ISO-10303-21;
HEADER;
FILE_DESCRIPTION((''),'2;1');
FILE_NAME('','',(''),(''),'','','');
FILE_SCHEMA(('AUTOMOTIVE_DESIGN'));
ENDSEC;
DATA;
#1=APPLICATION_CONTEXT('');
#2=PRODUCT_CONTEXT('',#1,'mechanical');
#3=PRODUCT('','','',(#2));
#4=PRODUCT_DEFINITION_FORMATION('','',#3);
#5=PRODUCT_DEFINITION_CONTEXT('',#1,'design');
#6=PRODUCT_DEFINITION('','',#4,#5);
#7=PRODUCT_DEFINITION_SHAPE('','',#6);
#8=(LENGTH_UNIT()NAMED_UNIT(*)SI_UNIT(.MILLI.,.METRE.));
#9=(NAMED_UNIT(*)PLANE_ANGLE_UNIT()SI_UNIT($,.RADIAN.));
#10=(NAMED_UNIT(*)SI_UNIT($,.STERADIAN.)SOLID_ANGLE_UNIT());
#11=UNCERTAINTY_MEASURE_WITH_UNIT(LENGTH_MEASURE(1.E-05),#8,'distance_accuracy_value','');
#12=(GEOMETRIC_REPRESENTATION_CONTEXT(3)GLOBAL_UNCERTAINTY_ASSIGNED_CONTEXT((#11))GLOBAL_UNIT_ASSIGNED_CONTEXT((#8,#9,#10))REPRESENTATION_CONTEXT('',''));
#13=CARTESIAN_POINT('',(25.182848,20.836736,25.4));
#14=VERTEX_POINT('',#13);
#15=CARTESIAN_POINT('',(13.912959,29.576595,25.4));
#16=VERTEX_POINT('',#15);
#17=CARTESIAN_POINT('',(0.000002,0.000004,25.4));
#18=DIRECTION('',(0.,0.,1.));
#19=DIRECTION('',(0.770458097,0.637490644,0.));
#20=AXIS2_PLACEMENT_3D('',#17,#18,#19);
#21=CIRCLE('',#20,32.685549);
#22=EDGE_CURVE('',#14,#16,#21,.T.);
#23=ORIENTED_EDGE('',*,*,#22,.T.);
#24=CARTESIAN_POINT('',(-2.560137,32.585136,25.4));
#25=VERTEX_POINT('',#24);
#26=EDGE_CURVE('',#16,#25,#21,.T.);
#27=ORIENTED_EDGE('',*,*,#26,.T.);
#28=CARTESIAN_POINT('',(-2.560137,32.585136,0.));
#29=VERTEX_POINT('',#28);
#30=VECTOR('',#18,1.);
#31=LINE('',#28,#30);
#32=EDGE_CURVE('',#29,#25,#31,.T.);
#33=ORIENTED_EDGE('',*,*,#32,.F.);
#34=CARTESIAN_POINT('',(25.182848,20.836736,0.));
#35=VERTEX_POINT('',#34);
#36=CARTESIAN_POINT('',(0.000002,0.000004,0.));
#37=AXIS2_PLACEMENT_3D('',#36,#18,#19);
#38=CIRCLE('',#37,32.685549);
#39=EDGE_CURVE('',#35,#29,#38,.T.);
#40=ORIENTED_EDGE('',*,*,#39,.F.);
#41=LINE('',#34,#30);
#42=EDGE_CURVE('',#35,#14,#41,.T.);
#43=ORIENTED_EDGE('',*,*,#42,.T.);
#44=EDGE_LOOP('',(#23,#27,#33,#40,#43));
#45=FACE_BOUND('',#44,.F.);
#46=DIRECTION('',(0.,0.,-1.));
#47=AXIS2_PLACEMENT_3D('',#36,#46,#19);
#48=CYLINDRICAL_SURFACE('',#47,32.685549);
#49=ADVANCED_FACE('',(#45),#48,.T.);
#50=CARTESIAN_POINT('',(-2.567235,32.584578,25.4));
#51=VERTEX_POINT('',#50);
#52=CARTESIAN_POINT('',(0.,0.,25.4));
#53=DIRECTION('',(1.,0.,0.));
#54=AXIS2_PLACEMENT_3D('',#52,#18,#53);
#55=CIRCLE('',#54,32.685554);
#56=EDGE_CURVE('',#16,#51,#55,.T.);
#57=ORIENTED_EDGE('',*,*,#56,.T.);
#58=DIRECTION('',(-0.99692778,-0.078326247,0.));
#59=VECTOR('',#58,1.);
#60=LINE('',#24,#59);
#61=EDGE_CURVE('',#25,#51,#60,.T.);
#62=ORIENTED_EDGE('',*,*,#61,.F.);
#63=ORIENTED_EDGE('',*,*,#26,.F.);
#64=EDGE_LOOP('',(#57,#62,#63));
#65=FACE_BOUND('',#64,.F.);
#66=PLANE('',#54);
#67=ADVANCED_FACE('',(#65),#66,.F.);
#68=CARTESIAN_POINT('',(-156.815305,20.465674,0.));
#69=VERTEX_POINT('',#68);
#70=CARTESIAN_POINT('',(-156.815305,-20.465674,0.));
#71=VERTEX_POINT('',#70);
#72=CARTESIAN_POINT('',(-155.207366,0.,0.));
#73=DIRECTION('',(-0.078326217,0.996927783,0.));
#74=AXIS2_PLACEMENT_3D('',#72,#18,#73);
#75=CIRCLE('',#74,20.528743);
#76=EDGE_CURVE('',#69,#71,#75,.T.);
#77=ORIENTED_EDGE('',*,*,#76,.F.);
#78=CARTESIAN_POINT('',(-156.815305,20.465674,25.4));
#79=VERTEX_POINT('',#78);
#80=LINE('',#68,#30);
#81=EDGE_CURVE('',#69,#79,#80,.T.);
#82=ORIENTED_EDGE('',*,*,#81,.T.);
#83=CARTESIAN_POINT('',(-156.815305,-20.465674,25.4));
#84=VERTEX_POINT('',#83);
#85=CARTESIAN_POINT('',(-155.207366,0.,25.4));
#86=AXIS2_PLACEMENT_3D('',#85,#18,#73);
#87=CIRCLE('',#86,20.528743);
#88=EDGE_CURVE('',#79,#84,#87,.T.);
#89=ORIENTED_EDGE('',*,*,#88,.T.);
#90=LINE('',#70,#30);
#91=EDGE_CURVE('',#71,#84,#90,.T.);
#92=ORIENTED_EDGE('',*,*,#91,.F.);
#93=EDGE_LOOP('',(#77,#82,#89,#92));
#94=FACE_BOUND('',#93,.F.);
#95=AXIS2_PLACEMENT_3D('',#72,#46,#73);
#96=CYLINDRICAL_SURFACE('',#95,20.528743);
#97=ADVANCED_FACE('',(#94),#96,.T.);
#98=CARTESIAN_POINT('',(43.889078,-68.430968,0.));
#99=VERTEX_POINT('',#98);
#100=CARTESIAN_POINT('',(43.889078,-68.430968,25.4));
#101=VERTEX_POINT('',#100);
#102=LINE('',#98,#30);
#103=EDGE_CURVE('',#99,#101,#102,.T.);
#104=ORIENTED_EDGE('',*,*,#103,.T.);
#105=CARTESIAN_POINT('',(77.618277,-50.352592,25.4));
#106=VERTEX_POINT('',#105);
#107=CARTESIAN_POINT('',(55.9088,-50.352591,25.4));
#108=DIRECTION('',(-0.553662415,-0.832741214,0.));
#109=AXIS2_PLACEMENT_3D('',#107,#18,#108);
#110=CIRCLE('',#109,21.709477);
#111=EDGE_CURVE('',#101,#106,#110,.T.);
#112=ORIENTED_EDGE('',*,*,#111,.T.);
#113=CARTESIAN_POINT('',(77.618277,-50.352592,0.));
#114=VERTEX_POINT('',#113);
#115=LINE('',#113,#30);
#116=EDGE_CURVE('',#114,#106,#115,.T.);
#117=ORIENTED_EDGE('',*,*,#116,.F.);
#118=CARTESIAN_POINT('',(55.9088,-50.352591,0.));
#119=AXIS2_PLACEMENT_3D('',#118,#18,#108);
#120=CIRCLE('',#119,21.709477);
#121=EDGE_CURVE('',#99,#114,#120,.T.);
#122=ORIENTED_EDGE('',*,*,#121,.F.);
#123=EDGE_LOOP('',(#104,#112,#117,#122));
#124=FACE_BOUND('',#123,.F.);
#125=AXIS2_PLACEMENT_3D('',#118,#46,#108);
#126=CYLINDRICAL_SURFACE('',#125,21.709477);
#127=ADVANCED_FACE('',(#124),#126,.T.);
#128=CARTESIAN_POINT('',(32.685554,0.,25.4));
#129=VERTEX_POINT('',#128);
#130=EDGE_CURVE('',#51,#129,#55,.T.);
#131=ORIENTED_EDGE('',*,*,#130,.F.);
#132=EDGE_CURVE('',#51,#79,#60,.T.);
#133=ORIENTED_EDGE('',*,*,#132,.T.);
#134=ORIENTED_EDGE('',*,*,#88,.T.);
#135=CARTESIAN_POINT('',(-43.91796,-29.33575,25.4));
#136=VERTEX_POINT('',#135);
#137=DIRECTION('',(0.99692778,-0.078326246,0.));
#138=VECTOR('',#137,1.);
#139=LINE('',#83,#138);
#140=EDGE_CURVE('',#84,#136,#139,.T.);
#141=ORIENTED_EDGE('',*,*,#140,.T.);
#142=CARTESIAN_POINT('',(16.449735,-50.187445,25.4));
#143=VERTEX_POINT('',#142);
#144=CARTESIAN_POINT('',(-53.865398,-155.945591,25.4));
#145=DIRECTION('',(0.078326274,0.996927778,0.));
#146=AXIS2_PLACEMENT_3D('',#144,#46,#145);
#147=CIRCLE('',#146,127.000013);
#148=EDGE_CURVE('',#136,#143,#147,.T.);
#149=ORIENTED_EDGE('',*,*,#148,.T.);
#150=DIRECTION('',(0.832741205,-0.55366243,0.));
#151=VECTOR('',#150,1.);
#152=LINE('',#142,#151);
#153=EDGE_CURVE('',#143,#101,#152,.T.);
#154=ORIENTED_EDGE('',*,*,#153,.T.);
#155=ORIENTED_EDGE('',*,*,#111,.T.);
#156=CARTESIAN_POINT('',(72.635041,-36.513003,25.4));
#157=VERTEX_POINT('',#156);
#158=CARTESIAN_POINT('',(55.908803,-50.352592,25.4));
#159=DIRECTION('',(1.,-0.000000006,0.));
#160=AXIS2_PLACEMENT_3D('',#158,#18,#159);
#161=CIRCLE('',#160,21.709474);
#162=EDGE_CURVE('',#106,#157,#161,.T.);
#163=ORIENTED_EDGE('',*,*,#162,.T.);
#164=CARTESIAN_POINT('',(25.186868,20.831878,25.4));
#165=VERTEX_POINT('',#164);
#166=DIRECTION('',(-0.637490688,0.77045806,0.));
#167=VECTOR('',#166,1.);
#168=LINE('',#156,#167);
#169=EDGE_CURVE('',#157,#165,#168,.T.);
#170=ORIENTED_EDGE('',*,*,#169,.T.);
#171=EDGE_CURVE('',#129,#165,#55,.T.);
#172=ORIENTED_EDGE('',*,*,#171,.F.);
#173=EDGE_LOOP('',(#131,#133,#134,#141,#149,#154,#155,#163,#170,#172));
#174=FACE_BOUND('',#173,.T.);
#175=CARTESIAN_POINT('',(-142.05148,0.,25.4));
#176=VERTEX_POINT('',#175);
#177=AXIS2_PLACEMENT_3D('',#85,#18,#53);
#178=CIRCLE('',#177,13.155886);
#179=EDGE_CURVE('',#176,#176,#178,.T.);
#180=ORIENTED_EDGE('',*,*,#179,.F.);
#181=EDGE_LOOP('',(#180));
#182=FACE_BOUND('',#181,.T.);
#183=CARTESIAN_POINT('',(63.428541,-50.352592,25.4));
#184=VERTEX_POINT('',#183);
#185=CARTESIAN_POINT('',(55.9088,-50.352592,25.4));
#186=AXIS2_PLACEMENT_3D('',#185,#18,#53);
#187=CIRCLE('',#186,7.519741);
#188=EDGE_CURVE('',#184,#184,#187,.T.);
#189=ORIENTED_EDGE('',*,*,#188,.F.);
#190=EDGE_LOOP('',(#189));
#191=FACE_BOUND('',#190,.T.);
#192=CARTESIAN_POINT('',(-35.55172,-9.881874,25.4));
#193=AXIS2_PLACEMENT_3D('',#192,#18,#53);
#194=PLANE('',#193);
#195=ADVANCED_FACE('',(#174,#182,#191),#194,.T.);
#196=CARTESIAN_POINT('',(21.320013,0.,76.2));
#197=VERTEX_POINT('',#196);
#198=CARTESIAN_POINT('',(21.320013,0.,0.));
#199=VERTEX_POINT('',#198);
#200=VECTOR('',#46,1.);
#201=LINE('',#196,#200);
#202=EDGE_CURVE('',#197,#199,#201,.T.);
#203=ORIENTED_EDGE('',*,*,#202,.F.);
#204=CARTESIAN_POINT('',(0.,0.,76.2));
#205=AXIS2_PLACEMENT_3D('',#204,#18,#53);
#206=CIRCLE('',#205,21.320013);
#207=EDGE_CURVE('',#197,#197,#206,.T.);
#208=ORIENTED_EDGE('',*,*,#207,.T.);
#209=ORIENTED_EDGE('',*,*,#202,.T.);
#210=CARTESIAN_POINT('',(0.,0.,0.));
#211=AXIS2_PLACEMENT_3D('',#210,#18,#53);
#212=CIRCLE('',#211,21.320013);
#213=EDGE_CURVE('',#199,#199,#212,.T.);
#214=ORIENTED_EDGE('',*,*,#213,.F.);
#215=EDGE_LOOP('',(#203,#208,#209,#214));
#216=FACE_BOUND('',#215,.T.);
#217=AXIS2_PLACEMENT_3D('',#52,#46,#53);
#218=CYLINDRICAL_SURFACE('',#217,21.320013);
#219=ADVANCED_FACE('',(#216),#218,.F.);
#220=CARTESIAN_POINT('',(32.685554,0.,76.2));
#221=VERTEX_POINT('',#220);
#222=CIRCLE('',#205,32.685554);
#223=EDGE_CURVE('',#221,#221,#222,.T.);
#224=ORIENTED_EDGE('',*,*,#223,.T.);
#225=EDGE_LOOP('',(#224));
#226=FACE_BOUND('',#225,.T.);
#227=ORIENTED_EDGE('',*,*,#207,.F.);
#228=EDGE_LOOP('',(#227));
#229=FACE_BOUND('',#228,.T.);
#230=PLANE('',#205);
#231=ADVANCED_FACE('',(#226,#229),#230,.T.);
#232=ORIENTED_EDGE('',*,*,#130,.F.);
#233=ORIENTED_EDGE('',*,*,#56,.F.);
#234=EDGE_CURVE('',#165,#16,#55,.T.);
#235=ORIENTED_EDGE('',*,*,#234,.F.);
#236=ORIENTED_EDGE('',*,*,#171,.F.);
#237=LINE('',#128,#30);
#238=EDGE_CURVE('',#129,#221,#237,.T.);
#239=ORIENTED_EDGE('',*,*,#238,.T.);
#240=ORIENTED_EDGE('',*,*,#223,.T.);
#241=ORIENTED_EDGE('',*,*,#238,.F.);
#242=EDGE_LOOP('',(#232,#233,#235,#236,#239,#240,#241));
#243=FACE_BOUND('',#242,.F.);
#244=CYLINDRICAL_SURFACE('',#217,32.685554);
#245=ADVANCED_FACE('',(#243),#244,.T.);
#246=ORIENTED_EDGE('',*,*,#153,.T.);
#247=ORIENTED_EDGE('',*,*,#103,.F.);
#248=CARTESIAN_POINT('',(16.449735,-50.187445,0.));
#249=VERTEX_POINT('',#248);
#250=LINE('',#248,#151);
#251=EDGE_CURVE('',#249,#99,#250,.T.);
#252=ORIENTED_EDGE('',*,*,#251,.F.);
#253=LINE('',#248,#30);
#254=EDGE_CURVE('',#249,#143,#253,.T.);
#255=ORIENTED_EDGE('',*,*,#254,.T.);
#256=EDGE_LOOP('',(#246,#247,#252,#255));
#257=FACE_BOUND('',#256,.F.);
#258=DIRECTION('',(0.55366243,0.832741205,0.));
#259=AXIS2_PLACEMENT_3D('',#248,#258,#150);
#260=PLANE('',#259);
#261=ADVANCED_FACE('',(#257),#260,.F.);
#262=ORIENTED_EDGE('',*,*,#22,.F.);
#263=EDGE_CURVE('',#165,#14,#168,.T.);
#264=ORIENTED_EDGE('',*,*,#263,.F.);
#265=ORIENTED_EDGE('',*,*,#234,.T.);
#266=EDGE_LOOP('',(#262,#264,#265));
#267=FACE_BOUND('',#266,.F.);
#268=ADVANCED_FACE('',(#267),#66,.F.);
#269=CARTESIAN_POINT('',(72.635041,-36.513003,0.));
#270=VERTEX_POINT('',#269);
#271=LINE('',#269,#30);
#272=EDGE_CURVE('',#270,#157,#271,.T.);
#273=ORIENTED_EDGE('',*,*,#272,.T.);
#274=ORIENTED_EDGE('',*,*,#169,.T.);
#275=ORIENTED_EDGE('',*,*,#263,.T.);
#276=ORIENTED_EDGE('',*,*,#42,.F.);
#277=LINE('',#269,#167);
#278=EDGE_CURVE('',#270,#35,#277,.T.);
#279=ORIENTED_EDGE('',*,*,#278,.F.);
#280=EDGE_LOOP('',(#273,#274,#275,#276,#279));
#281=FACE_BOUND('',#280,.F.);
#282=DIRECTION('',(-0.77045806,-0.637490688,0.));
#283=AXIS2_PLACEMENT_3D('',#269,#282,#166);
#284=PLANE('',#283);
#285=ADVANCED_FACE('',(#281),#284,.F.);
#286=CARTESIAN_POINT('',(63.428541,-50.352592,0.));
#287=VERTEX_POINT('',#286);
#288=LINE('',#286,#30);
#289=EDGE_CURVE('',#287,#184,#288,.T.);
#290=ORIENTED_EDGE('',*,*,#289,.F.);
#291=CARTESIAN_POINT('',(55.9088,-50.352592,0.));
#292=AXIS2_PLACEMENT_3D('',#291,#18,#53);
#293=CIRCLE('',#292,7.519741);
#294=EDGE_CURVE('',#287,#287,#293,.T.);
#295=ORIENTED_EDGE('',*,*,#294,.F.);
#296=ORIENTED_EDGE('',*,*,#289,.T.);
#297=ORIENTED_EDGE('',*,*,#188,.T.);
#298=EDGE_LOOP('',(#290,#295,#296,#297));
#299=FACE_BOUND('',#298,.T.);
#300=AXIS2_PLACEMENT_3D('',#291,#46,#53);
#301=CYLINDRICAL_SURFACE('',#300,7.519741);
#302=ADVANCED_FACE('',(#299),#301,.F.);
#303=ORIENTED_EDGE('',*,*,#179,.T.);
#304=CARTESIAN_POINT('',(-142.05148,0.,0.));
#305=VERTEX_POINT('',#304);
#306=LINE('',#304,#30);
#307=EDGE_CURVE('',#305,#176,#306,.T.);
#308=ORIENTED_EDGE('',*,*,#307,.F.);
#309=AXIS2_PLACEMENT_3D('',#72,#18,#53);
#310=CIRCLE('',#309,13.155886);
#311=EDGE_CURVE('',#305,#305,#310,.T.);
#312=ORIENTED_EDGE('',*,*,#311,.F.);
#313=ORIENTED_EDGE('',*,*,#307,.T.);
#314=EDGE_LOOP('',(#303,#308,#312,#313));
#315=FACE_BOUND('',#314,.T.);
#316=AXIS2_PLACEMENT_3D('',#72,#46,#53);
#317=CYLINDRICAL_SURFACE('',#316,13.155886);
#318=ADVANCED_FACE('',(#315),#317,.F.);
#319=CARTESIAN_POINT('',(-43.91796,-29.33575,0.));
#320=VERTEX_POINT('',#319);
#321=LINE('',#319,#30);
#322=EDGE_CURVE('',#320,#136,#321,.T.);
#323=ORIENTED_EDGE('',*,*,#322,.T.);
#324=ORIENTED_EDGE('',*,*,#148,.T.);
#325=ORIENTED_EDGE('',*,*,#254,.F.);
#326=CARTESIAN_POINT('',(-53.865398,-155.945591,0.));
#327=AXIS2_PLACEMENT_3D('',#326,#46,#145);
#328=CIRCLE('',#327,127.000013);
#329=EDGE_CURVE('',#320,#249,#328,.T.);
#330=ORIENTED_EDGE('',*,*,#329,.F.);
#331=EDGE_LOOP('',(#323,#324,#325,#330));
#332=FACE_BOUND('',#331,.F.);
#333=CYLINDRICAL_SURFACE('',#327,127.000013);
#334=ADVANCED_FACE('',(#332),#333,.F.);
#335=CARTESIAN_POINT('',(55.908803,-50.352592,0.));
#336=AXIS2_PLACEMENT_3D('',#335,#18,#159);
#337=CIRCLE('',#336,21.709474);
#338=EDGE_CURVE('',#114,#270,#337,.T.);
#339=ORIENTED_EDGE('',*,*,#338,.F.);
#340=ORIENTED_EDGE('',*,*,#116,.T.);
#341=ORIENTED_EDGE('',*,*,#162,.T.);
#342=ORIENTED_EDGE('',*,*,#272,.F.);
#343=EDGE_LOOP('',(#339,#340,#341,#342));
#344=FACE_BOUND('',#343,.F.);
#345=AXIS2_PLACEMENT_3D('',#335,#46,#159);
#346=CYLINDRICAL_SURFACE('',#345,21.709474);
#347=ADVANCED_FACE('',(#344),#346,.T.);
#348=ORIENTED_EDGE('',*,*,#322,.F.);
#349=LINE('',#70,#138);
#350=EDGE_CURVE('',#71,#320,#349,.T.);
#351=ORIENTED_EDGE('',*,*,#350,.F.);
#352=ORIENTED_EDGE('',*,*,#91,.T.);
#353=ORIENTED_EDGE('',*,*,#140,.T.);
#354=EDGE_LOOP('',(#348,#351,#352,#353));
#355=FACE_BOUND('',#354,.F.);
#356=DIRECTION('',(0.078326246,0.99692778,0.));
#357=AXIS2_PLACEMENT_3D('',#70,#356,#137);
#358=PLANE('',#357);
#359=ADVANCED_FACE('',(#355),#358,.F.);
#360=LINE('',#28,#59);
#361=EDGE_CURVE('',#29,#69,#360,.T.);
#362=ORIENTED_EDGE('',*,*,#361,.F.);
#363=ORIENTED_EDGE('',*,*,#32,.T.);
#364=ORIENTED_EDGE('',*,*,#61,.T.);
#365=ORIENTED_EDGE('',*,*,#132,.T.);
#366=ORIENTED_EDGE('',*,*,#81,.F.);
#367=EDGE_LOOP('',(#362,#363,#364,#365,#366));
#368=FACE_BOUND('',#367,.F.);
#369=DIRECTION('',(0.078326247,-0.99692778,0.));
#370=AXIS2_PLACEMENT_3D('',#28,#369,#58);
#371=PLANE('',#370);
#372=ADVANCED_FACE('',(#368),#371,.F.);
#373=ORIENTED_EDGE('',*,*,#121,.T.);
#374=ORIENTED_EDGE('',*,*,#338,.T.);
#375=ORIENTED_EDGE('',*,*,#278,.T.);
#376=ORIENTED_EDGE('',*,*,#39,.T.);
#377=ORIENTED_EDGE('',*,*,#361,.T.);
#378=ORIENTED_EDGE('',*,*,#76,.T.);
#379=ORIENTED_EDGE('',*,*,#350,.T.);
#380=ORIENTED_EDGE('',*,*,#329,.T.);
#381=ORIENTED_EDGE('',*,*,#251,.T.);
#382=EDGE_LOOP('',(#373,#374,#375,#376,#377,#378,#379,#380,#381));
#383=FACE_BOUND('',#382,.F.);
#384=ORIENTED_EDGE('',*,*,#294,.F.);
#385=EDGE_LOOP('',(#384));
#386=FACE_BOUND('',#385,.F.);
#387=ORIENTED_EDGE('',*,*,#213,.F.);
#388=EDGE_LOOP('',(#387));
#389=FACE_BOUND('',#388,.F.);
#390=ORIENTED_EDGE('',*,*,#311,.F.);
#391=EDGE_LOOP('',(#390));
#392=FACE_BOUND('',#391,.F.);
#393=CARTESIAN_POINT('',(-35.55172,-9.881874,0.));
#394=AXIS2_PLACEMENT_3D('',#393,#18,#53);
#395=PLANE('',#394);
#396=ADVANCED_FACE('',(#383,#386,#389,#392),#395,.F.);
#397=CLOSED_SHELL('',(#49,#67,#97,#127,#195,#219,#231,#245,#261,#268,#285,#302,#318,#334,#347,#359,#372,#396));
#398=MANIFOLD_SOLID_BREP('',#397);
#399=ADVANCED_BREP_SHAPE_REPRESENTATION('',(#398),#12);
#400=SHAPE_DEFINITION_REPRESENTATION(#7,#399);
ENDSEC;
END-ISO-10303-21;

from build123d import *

# Parameters (mm, degrees)
F0_R     = 13.155886
F0_R_2   = 7.519741
F0_R_3   = 21.320013
F1_DEPTH = 25.4
F2_R     = 32.685554
F2_R_2   = 21.320013
F3_DEPTH = 50.8


with BuildPart() as f1:
    # F0 (on Top) → F1 (new body)
    with BuildSketch(Plane.XY):
        with BuildLine():
            ThreePointArc((-156.815305, 20.465674), (-141.271435, 15.07379), (-134.678623, 0))
            ThreePointArc((-134.678623, 0), (-141.271435, -15.07379), (-156.815305, -20.465674))
            Line((-156.815305, -20.465674), (-43.91796, -29.33575))
            ThreePointArc((-43.91796, -29.33575), (-12.40194, -35.904827), (16.449735, -50.187445))
            Line((16.449735, -50.187445), (43.889078, -68.430968))
            ThreePointArc((43.889078, -68.430968), (39.777248, -35.824191), (72.635041, -36.513003))
            Line((72.635041, -36.513003), (25.182848, 20.836736))
            ThreePointArc((25.182848, 20.836736), (30.752729, 11.073168), (32.685554, 0))
            ThreePointArc((32.685554, 0), (-22.188577, -24.000259), (-2.560137, 32.585136))
            Line((-2.560137, 32.585136), (-156.815305, 20.465674))
        make_face()
        with BuildLine():
            ThreePointArc((-156.815305, -20.465674), (-141.271435, -15.07379), (-134.678623, 0))
            ThreePointArc((-134.678623, 0), (-141.271435, 15.07379), (-156.815305, 20.465674))
            ThreePointArc((-156.815305, 20.465674), (-175.736109, 0), (-156.815305, -20.465674))
        make_face()
        with Locations((-155.207366, 0)):
            Circle(F0_R, mode=Mode.SUBTRACT)
        with BuildLine():
            ThreePointArc((77.618277, -50.352592), (76.334511, -42.997885), (72.635041, -36.513003))
            ThreePointArc((72.635041, -36.513003), (39.777248, -35.824191), (43.889078, -68.430968))
            ThreePointArc((43.889078, -68.430968), (66.164518, -69.486897), (77.618277, -50.352592))
        make_face()
        with Locations((55.9088, -50.352592)):
            Circle(F0_R_2, mode=Mode.SUBTRACT)
        with BuildLine():
            ThreePointArc((25.182848, 20.836736), (12.745705, 30.098047), (-2.560137, 32.585136))
            ThreePointArc((-2.560137, 32.585136), (-22.188577, -24.000259), (32.685554, 0))
            ThreePointArc((32.685554, 0), (30.752729, 11.073168), (25.182848, 20.836736))
        make_face()
        Circle(F0_R_3, mode=Mode.SUBTRACT)
    extrude(amount=F1_DEPTH)

    # F2 (on face) → F3 (join)
    with BuildSketch(Plane.XY.offset(25.4)):
        Circle(F2_R)
        Circle(F2_R_2, mode=Mode.SUBTRACT)
    extrude(amount=F3_DEPTH)


solid = f1.part
